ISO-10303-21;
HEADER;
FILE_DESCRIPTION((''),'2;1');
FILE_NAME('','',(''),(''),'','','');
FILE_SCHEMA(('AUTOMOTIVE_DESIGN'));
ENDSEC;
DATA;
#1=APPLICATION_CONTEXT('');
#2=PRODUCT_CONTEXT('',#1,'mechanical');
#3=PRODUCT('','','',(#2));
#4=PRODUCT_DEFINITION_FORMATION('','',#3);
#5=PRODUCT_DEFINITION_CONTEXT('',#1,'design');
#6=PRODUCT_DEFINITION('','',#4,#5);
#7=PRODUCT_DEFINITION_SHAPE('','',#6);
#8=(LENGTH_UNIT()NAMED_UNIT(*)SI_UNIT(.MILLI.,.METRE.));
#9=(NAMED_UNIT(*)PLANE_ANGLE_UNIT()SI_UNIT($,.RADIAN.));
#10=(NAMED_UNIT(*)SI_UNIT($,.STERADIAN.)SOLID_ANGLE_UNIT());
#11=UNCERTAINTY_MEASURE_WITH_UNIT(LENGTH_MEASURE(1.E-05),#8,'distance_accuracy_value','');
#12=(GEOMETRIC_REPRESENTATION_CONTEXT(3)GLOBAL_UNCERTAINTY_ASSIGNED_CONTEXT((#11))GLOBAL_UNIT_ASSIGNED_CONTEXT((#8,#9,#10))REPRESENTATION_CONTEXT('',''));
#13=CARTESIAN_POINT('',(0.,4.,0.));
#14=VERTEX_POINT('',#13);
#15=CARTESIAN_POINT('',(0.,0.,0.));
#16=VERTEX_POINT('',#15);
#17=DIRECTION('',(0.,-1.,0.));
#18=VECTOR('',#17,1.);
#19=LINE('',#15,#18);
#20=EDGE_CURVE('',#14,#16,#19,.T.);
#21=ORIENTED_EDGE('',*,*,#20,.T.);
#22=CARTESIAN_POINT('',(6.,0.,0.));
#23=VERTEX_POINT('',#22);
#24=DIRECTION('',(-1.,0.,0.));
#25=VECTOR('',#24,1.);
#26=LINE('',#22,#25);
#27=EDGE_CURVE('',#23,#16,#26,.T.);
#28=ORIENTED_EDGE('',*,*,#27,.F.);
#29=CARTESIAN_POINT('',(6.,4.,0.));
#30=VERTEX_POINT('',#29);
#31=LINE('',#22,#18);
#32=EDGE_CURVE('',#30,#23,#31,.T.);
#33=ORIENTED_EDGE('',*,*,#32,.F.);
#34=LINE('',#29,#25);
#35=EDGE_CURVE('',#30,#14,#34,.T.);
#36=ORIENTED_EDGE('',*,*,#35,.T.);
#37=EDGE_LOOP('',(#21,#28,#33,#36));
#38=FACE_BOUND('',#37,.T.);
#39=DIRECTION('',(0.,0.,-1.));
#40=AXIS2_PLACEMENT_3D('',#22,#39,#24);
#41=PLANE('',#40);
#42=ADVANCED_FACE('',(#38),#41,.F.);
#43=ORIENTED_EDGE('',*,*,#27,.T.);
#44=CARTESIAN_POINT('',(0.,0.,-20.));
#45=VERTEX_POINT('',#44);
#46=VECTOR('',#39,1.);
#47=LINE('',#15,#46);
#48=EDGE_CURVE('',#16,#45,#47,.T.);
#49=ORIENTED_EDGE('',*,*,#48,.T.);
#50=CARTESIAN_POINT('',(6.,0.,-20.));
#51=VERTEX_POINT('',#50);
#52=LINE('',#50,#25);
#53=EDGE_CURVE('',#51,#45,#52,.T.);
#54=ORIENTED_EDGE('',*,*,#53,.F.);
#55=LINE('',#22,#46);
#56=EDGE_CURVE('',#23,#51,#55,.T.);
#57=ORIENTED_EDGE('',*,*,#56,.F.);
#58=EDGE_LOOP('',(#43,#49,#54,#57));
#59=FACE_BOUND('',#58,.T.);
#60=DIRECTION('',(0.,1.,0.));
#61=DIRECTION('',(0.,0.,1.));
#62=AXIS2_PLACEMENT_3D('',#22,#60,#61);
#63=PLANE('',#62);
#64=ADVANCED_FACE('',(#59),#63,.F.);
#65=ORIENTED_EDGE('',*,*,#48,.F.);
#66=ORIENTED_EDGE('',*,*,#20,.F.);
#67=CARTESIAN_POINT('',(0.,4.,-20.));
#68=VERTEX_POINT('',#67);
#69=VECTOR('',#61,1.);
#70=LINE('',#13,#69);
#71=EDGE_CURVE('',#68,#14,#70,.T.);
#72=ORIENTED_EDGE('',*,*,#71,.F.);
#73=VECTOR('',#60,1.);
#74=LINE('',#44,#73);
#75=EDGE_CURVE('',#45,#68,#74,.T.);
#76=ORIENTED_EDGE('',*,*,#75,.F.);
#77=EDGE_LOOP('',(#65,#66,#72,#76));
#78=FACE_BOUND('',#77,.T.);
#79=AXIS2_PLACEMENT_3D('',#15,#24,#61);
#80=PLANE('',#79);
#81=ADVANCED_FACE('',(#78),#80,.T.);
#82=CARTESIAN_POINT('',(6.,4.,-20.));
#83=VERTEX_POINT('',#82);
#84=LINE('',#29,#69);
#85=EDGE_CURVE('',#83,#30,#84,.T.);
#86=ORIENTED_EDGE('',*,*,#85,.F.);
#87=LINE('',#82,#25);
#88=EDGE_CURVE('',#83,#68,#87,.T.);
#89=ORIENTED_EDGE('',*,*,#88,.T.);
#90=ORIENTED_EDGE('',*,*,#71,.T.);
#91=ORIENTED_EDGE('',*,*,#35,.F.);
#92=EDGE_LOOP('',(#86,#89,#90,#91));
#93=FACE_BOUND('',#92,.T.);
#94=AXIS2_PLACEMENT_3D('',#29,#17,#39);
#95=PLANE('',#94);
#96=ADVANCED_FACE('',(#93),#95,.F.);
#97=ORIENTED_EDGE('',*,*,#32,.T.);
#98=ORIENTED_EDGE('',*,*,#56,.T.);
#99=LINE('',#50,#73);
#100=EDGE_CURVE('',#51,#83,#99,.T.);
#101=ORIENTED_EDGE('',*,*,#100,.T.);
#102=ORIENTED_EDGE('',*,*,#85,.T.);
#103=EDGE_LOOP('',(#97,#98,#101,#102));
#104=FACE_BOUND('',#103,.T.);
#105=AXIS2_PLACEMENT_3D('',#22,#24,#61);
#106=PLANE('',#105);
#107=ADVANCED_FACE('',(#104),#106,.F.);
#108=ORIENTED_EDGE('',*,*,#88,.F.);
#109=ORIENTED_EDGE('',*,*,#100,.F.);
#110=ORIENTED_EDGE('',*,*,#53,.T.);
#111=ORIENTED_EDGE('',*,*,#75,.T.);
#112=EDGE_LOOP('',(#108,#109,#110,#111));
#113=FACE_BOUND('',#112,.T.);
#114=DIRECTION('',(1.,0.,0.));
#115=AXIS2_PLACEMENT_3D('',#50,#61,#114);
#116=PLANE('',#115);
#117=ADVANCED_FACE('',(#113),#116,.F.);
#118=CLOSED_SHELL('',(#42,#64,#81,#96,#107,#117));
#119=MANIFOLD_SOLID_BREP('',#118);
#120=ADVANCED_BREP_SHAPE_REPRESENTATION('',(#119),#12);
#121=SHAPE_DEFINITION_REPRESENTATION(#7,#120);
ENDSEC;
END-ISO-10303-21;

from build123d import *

# Parameters (mm, degrees)
SKETCH_1_W      = 20
SKETCH_1_H      = 4
EXTRUDE_1_DEPTH = 6


with BuildPart() as part:
    # Эскиз1 → Бобышка-Вытянуть1 (new body)
    with BuildSketch(Plane(origin=(0, 0, 0), x_dir=(0, 0, -1), z_dir=(1, 0, 0))):
        with Locations((10, 2)):
            Rectangle(SKETCH_1_W, SKETCH_1_H)
    extrude(amount=EXTRUDE_1_DEPTH)


solid = part.part
